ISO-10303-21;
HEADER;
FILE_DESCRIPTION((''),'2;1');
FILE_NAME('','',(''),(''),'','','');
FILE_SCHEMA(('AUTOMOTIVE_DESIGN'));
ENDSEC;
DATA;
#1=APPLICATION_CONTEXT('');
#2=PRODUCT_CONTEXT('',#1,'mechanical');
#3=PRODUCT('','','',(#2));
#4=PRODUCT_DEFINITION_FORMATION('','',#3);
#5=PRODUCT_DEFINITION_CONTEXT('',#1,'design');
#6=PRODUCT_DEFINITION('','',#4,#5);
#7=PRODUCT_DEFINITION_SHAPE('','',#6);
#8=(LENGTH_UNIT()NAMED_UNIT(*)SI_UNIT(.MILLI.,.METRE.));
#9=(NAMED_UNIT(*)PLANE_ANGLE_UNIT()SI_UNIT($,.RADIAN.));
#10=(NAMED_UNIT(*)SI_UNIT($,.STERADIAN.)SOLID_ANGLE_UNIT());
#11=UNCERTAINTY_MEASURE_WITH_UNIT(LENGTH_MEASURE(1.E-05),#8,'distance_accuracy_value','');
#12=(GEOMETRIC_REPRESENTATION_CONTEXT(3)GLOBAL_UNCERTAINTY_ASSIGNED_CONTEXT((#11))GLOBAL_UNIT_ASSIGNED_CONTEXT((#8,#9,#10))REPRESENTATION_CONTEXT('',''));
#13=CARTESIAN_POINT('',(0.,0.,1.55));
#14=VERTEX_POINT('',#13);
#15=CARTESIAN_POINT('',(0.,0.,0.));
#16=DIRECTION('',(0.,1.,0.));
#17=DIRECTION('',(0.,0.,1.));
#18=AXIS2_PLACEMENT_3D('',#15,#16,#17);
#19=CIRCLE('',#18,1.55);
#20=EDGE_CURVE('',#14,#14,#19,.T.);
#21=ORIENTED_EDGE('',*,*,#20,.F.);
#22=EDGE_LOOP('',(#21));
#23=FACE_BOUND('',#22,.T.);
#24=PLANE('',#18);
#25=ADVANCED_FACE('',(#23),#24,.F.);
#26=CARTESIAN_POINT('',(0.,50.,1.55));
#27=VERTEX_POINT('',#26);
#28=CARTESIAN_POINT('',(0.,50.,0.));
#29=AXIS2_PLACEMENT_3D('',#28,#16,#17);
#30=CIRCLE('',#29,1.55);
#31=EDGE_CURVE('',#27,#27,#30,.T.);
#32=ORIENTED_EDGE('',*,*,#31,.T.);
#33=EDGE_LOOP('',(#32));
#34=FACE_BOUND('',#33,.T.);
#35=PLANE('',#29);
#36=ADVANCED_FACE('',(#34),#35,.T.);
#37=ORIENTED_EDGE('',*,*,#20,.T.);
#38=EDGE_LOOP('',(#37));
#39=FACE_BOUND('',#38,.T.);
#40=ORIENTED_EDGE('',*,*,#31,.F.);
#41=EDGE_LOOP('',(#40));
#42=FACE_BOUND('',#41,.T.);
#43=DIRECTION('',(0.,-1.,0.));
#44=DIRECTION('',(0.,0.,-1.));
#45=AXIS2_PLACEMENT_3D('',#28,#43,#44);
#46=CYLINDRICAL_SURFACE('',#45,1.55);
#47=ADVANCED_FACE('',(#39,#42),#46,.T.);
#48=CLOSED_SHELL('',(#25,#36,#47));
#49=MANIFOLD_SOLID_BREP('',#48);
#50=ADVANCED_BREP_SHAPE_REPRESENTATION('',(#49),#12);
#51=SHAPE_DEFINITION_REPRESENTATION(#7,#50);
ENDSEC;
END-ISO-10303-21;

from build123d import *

# Parameters (mm, degrees)
SKETCH_1_R      = 1.55
EXTRUDE_1_DEPTH = 50


with BuildPart() as part:
    # 草图1 → 凸台-拉伸1 (new body)
    with BuildSketch(Plane(origin=(0, 0, 0), x_dir=(1, 0, 0), z_dir=(0, 1, 0))):
        with Locations(Location((0, 0, 0), (0, 0, 270))):
            Circle(SKETCH_1_R)
    extrude(amount=EXTRUDE_1_DEPTH)


solid = part.part
